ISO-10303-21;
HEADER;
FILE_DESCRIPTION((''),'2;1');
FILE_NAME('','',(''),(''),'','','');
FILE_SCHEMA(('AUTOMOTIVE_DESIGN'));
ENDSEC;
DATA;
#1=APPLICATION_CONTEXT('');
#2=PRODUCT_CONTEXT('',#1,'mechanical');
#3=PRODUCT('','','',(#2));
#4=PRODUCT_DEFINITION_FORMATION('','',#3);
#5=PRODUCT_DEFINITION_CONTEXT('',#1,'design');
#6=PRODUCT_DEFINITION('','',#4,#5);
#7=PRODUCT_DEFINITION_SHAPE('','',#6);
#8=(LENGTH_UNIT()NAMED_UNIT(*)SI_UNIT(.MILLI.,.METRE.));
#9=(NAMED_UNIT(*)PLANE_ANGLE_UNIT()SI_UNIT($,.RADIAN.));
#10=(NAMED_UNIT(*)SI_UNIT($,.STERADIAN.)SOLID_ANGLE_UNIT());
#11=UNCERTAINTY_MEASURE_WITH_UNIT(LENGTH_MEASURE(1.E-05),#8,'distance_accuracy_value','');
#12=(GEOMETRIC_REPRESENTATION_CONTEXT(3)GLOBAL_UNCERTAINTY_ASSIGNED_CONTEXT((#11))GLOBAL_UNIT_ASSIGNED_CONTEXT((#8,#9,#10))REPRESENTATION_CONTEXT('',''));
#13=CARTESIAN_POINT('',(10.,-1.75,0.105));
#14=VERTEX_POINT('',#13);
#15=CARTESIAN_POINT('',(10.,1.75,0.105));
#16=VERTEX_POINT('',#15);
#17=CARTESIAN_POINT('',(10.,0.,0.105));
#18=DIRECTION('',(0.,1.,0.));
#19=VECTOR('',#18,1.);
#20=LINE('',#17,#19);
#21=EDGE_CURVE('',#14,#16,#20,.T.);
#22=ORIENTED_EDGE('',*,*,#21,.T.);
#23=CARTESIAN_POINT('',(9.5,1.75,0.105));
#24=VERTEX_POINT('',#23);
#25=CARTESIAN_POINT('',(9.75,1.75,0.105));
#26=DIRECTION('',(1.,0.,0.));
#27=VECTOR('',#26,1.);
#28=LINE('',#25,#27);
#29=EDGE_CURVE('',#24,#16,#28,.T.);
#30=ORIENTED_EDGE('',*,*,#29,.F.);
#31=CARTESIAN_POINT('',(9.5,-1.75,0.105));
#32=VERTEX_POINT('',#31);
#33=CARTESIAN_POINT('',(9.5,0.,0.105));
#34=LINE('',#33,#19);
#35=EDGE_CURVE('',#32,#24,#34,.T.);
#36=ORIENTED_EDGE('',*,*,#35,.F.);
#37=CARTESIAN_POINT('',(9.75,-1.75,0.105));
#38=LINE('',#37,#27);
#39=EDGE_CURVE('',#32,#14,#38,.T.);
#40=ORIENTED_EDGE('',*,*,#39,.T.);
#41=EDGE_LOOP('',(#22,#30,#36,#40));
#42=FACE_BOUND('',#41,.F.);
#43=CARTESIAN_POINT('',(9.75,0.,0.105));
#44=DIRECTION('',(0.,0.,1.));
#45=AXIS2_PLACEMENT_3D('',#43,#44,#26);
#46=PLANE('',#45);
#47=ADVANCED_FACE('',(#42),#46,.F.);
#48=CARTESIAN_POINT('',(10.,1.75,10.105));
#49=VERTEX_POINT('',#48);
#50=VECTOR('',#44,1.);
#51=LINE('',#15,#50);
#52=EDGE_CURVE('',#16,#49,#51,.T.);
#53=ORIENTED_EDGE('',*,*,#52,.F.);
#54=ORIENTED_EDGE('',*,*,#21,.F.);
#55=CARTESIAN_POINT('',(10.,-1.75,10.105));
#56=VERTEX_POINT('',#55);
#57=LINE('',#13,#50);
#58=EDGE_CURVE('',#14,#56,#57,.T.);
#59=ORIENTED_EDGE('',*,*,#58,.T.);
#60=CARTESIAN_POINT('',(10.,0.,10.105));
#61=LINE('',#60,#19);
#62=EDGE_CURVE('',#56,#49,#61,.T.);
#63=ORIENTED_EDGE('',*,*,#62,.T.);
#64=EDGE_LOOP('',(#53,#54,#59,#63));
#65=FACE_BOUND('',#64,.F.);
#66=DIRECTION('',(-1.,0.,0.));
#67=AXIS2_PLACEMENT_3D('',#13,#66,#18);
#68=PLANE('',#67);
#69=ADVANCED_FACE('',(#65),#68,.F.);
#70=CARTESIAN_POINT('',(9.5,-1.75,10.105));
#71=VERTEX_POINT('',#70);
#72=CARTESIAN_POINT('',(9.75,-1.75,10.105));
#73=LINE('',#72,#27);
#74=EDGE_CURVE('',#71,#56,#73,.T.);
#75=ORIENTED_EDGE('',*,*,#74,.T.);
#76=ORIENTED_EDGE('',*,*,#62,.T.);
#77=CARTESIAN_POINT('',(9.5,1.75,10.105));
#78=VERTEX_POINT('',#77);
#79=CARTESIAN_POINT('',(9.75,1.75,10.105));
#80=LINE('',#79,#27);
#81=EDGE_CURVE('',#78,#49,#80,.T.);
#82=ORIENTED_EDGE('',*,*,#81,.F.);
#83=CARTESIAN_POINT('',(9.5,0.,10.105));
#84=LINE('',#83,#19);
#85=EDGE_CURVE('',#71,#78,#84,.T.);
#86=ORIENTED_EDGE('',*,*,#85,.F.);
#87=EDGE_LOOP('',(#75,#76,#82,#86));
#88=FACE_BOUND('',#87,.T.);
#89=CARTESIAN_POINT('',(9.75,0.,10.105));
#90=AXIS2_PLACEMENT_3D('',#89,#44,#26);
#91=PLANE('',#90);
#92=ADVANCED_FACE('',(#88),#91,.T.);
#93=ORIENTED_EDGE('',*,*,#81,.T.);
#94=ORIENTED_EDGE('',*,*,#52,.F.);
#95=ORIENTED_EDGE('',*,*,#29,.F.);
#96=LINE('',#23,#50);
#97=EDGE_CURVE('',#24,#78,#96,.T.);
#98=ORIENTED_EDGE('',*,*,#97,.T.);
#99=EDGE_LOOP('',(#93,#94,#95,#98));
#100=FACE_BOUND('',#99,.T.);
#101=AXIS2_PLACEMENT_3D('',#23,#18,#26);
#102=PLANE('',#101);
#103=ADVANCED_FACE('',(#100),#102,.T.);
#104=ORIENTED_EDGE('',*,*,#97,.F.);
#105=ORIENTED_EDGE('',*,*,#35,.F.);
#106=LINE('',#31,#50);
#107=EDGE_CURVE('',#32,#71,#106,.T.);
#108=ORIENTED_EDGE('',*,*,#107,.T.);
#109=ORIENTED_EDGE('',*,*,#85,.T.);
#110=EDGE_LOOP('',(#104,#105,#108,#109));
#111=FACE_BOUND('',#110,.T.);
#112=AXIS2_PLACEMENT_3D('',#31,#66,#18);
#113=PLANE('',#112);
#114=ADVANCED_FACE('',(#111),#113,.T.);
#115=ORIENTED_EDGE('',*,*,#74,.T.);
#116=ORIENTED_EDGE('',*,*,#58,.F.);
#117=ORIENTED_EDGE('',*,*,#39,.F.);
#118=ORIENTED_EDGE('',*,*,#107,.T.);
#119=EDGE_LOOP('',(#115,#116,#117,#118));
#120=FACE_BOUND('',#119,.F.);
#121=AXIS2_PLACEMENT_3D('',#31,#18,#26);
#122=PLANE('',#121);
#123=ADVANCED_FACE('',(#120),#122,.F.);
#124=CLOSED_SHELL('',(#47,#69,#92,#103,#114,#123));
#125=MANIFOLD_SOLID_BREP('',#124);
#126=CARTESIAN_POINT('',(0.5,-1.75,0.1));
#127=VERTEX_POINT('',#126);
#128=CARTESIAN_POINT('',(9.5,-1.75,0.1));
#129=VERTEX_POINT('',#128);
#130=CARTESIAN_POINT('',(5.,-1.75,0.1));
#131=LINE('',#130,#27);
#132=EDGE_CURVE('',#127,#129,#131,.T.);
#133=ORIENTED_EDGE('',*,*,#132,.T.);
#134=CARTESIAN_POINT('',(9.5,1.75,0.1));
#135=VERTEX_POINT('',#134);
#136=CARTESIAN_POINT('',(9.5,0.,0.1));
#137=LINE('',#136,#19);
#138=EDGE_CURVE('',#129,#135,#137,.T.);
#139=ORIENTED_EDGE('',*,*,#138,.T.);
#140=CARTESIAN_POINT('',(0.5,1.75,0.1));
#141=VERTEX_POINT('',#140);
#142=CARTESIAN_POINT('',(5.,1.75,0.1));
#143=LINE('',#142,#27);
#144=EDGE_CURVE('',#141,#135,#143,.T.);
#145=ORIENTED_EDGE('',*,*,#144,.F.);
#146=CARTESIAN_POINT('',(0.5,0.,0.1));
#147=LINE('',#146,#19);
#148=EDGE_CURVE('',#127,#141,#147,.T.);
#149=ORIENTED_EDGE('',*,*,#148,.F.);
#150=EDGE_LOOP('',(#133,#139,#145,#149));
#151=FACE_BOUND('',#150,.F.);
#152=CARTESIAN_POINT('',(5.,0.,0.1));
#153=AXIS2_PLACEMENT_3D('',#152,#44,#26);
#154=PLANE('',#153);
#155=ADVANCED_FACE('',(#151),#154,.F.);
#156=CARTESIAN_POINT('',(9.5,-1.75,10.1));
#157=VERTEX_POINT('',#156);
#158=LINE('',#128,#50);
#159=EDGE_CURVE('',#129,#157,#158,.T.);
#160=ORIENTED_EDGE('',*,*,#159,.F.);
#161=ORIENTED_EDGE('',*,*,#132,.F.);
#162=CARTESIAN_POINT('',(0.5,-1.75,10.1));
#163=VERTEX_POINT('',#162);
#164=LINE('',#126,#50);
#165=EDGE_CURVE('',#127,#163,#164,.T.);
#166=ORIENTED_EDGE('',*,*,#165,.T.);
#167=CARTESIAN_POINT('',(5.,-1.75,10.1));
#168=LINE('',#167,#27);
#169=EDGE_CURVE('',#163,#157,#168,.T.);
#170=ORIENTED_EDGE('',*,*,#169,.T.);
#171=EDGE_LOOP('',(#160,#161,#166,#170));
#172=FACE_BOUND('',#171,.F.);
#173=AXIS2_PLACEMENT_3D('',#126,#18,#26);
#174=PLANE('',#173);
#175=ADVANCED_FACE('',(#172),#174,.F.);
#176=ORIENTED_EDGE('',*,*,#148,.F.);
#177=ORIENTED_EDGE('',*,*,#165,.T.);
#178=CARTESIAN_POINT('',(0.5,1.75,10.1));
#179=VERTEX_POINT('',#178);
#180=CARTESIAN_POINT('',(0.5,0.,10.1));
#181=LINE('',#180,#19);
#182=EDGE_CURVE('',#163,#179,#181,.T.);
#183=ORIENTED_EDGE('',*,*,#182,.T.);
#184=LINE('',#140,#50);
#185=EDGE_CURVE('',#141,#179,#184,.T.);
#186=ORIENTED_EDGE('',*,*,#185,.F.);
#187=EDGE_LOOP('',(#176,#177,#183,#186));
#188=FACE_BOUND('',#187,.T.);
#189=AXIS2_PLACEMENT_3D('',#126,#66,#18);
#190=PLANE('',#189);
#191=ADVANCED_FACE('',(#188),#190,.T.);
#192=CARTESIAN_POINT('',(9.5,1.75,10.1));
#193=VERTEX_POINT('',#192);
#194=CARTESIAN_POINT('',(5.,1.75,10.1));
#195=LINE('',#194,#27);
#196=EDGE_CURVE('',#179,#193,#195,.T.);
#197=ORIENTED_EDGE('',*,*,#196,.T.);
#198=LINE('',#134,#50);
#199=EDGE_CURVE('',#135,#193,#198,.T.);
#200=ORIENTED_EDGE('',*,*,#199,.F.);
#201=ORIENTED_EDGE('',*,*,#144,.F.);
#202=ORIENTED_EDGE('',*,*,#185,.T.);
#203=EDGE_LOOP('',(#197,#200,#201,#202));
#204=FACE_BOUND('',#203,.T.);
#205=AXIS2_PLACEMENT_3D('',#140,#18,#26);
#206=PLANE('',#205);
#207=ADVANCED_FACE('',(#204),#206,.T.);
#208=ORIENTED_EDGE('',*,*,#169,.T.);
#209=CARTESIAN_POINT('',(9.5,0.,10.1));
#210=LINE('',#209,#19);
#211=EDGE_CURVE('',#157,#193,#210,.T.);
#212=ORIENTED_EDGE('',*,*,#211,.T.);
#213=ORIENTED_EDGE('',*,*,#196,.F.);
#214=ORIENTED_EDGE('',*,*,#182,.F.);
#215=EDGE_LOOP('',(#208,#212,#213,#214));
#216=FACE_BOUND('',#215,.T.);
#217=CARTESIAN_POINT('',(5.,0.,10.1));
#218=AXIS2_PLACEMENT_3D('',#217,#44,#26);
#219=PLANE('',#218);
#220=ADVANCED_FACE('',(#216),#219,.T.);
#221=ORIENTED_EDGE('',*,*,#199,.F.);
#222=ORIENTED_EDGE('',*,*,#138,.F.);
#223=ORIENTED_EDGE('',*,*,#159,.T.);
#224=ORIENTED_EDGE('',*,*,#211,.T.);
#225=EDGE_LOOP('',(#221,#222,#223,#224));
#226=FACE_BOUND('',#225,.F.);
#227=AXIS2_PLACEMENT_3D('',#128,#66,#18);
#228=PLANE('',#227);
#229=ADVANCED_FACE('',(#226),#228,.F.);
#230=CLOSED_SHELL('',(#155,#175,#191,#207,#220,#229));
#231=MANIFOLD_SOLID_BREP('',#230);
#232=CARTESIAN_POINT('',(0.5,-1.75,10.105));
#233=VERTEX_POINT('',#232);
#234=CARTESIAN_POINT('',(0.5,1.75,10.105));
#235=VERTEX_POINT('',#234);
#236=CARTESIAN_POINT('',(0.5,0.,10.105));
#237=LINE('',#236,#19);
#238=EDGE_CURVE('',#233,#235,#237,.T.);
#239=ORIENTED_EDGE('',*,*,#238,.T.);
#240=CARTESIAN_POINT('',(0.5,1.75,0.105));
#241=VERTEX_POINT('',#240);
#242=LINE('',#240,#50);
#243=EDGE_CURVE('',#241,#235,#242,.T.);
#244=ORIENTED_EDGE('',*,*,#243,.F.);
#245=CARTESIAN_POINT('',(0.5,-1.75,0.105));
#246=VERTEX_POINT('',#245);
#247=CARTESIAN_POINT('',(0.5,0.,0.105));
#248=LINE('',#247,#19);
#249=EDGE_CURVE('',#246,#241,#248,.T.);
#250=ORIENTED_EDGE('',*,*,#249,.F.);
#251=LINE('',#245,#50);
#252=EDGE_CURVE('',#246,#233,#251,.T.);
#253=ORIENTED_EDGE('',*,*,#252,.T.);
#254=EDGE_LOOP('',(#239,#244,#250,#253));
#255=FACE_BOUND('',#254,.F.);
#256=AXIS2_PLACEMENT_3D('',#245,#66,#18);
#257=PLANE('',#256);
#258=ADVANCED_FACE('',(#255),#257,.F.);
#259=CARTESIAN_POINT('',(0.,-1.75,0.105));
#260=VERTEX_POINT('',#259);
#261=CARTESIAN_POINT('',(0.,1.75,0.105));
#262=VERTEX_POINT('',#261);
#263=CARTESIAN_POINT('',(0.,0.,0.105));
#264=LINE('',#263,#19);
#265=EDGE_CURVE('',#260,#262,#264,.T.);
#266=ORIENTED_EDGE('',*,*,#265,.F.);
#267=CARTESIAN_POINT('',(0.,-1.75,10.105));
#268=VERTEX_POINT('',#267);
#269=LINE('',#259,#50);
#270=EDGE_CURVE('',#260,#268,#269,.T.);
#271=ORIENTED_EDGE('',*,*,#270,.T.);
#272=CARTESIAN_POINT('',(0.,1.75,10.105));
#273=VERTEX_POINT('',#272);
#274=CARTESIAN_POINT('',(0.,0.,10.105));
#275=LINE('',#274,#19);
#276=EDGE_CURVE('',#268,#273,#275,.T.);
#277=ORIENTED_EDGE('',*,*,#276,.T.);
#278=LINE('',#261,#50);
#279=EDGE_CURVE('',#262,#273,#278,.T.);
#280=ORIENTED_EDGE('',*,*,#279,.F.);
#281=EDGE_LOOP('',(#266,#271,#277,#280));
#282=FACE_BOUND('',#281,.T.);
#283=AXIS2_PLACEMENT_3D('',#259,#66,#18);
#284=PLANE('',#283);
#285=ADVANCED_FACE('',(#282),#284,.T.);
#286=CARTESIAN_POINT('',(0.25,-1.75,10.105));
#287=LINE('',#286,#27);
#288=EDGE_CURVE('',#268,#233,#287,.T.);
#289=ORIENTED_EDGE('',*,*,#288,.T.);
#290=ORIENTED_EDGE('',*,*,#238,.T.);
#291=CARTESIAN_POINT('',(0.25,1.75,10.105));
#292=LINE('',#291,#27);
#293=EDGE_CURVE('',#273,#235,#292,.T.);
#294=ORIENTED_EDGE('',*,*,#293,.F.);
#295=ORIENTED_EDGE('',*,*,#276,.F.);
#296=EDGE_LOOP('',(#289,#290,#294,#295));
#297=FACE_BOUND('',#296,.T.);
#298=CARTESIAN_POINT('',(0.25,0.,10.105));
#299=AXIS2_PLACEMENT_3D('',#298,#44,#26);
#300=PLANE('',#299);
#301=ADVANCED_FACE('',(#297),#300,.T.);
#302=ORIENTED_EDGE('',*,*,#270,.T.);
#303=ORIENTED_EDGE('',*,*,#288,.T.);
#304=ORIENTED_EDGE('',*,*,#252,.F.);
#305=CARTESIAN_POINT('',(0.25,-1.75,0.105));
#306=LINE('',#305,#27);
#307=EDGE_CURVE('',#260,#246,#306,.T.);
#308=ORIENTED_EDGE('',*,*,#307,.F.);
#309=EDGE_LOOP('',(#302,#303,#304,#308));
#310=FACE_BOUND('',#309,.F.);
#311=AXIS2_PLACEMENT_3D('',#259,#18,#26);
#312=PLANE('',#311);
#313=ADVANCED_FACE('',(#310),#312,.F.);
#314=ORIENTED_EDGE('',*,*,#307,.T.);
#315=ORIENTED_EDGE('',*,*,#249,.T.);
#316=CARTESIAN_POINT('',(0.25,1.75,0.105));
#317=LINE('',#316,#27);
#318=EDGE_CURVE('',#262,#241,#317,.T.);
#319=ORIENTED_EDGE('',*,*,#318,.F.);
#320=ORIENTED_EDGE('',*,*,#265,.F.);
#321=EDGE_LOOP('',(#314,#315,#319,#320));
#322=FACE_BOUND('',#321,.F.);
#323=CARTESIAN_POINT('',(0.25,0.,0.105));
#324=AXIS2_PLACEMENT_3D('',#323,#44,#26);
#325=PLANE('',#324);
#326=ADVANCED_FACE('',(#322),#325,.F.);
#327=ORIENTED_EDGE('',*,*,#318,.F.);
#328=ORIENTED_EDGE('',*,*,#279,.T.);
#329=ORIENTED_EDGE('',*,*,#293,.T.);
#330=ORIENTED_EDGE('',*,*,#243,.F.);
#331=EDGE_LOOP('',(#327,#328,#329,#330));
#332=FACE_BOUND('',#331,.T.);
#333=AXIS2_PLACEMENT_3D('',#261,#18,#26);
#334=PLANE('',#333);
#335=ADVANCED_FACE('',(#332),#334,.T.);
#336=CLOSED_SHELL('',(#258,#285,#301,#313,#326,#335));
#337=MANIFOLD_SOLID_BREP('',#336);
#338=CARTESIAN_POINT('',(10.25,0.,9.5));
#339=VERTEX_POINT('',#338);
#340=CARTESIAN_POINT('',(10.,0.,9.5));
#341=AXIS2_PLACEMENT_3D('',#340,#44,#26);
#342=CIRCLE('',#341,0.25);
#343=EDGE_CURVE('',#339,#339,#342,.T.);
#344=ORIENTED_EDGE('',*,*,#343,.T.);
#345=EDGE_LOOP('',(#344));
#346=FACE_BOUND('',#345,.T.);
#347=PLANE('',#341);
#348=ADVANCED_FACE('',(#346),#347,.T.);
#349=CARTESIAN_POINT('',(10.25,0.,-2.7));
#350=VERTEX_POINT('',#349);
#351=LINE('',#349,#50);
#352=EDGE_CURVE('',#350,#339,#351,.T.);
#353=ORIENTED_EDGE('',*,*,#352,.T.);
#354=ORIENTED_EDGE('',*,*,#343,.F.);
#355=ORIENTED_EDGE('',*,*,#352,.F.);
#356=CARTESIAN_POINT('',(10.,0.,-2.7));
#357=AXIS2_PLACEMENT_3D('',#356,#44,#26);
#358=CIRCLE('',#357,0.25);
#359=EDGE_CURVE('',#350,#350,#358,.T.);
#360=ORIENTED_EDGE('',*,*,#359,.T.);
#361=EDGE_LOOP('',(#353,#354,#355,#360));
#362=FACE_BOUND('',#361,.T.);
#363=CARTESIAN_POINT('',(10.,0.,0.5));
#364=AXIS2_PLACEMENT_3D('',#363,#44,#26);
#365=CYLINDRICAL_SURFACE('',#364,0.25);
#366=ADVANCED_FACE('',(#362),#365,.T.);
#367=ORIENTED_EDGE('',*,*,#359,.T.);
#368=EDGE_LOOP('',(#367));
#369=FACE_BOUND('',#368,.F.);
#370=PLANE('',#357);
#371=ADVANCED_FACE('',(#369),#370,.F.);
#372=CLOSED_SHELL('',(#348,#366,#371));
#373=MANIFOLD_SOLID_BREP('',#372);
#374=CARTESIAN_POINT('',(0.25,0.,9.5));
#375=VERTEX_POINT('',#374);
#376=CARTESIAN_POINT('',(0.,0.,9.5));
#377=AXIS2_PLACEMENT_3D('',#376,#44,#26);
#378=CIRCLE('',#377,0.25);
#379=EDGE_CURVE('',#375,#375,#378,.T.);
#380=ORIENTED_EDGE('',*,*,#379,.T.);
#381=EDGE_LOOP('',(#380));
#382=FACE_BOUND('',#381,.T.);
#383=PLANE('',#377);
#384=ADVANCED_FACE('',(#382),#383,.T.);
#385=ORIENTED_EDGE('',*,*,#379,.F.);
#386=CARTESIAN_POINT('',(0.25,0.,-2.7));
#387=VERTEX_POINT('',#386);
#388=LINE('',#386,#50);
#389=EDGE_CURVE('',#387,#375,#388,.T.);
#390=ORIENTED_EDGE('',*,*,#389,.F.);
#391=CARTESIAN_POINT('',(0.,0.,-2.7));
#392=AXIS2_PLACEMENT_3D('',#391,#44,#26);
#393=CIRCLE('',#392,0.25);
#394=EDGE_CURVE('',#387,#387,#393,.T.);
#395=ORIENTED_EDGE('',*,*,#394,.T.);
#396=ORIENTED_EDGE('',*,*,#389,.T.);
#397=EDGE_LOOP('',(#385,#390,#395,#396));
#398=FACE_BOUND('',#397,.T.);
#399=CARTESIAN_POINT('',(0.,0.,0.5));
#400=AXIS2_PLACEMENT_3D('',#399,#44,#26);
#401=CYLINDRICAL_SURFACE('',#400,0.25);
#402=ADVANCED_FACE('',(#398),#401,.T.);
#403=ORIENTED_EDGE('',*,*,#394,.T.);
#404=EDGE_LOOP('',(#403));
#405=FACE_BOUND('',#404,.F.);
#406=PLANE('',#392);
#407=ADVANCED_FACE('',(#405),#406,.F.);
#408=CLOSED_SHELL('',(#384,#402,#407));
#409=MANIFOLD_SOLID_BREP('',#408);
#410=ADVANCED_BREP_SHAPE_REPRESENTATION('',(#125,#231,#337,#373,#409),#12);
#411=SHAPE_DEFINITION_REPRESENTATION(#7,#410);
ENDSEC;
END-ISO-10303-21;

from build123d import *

# Parameters (mm, degrees)
SKETCH_W          = 9
SKETCH_H          = 3.5
PAD_DEPTH         = 10
SKETCH001_R       = 0.25
PAD001_DEPTH      = 9
PAD001_DEPTH_BACK = 3.2
SKETCH002_W       = 0.5
SKETCH002_H       = 3.5
PAD002_DEPTH      = 10


with BuildPart() as pad:
    # Sketch → Pad (new body)
    with BuildSketch(Plane.XY.offset(0.1)):
        with Locations((5, 0)):
            Rectangle(SKETCH_W, SKETCH_H)
    extrude(amount=PAD_DEPTH)


with BuildPart() as pad001:
    # Sketch001 → Pad001 (new body, two sides)
    with BuildSketch(Plane.XY.offset(0.5)) as pad001_sk:
        Circle(SKETCH001_R)
        with Locations((10, 0)):
            Circle(SKETCH001_R)
    extrude(amount=PAD001_DEPTH)
    extrude(pad001_sk.sketch, amount=-PAD001_DEPTH_BACK)


with BuildPart() as pad002:
    # Sketch002 → Pad002 (new body)
    with BuildSketch(Plane.XY.offset(0.105)):
        with Locations((0.25, 0)):
            Rectangle(SKETCH002_W, SKETCH002_H)
        with Locations((9.75, 0)):
            Rectangle(SKETCH002_W, SKETCH002_H)
    extrude(amount=PAD002_DEPTH)


solid = Compound([pad.part, pad001.part, pad002.part])
